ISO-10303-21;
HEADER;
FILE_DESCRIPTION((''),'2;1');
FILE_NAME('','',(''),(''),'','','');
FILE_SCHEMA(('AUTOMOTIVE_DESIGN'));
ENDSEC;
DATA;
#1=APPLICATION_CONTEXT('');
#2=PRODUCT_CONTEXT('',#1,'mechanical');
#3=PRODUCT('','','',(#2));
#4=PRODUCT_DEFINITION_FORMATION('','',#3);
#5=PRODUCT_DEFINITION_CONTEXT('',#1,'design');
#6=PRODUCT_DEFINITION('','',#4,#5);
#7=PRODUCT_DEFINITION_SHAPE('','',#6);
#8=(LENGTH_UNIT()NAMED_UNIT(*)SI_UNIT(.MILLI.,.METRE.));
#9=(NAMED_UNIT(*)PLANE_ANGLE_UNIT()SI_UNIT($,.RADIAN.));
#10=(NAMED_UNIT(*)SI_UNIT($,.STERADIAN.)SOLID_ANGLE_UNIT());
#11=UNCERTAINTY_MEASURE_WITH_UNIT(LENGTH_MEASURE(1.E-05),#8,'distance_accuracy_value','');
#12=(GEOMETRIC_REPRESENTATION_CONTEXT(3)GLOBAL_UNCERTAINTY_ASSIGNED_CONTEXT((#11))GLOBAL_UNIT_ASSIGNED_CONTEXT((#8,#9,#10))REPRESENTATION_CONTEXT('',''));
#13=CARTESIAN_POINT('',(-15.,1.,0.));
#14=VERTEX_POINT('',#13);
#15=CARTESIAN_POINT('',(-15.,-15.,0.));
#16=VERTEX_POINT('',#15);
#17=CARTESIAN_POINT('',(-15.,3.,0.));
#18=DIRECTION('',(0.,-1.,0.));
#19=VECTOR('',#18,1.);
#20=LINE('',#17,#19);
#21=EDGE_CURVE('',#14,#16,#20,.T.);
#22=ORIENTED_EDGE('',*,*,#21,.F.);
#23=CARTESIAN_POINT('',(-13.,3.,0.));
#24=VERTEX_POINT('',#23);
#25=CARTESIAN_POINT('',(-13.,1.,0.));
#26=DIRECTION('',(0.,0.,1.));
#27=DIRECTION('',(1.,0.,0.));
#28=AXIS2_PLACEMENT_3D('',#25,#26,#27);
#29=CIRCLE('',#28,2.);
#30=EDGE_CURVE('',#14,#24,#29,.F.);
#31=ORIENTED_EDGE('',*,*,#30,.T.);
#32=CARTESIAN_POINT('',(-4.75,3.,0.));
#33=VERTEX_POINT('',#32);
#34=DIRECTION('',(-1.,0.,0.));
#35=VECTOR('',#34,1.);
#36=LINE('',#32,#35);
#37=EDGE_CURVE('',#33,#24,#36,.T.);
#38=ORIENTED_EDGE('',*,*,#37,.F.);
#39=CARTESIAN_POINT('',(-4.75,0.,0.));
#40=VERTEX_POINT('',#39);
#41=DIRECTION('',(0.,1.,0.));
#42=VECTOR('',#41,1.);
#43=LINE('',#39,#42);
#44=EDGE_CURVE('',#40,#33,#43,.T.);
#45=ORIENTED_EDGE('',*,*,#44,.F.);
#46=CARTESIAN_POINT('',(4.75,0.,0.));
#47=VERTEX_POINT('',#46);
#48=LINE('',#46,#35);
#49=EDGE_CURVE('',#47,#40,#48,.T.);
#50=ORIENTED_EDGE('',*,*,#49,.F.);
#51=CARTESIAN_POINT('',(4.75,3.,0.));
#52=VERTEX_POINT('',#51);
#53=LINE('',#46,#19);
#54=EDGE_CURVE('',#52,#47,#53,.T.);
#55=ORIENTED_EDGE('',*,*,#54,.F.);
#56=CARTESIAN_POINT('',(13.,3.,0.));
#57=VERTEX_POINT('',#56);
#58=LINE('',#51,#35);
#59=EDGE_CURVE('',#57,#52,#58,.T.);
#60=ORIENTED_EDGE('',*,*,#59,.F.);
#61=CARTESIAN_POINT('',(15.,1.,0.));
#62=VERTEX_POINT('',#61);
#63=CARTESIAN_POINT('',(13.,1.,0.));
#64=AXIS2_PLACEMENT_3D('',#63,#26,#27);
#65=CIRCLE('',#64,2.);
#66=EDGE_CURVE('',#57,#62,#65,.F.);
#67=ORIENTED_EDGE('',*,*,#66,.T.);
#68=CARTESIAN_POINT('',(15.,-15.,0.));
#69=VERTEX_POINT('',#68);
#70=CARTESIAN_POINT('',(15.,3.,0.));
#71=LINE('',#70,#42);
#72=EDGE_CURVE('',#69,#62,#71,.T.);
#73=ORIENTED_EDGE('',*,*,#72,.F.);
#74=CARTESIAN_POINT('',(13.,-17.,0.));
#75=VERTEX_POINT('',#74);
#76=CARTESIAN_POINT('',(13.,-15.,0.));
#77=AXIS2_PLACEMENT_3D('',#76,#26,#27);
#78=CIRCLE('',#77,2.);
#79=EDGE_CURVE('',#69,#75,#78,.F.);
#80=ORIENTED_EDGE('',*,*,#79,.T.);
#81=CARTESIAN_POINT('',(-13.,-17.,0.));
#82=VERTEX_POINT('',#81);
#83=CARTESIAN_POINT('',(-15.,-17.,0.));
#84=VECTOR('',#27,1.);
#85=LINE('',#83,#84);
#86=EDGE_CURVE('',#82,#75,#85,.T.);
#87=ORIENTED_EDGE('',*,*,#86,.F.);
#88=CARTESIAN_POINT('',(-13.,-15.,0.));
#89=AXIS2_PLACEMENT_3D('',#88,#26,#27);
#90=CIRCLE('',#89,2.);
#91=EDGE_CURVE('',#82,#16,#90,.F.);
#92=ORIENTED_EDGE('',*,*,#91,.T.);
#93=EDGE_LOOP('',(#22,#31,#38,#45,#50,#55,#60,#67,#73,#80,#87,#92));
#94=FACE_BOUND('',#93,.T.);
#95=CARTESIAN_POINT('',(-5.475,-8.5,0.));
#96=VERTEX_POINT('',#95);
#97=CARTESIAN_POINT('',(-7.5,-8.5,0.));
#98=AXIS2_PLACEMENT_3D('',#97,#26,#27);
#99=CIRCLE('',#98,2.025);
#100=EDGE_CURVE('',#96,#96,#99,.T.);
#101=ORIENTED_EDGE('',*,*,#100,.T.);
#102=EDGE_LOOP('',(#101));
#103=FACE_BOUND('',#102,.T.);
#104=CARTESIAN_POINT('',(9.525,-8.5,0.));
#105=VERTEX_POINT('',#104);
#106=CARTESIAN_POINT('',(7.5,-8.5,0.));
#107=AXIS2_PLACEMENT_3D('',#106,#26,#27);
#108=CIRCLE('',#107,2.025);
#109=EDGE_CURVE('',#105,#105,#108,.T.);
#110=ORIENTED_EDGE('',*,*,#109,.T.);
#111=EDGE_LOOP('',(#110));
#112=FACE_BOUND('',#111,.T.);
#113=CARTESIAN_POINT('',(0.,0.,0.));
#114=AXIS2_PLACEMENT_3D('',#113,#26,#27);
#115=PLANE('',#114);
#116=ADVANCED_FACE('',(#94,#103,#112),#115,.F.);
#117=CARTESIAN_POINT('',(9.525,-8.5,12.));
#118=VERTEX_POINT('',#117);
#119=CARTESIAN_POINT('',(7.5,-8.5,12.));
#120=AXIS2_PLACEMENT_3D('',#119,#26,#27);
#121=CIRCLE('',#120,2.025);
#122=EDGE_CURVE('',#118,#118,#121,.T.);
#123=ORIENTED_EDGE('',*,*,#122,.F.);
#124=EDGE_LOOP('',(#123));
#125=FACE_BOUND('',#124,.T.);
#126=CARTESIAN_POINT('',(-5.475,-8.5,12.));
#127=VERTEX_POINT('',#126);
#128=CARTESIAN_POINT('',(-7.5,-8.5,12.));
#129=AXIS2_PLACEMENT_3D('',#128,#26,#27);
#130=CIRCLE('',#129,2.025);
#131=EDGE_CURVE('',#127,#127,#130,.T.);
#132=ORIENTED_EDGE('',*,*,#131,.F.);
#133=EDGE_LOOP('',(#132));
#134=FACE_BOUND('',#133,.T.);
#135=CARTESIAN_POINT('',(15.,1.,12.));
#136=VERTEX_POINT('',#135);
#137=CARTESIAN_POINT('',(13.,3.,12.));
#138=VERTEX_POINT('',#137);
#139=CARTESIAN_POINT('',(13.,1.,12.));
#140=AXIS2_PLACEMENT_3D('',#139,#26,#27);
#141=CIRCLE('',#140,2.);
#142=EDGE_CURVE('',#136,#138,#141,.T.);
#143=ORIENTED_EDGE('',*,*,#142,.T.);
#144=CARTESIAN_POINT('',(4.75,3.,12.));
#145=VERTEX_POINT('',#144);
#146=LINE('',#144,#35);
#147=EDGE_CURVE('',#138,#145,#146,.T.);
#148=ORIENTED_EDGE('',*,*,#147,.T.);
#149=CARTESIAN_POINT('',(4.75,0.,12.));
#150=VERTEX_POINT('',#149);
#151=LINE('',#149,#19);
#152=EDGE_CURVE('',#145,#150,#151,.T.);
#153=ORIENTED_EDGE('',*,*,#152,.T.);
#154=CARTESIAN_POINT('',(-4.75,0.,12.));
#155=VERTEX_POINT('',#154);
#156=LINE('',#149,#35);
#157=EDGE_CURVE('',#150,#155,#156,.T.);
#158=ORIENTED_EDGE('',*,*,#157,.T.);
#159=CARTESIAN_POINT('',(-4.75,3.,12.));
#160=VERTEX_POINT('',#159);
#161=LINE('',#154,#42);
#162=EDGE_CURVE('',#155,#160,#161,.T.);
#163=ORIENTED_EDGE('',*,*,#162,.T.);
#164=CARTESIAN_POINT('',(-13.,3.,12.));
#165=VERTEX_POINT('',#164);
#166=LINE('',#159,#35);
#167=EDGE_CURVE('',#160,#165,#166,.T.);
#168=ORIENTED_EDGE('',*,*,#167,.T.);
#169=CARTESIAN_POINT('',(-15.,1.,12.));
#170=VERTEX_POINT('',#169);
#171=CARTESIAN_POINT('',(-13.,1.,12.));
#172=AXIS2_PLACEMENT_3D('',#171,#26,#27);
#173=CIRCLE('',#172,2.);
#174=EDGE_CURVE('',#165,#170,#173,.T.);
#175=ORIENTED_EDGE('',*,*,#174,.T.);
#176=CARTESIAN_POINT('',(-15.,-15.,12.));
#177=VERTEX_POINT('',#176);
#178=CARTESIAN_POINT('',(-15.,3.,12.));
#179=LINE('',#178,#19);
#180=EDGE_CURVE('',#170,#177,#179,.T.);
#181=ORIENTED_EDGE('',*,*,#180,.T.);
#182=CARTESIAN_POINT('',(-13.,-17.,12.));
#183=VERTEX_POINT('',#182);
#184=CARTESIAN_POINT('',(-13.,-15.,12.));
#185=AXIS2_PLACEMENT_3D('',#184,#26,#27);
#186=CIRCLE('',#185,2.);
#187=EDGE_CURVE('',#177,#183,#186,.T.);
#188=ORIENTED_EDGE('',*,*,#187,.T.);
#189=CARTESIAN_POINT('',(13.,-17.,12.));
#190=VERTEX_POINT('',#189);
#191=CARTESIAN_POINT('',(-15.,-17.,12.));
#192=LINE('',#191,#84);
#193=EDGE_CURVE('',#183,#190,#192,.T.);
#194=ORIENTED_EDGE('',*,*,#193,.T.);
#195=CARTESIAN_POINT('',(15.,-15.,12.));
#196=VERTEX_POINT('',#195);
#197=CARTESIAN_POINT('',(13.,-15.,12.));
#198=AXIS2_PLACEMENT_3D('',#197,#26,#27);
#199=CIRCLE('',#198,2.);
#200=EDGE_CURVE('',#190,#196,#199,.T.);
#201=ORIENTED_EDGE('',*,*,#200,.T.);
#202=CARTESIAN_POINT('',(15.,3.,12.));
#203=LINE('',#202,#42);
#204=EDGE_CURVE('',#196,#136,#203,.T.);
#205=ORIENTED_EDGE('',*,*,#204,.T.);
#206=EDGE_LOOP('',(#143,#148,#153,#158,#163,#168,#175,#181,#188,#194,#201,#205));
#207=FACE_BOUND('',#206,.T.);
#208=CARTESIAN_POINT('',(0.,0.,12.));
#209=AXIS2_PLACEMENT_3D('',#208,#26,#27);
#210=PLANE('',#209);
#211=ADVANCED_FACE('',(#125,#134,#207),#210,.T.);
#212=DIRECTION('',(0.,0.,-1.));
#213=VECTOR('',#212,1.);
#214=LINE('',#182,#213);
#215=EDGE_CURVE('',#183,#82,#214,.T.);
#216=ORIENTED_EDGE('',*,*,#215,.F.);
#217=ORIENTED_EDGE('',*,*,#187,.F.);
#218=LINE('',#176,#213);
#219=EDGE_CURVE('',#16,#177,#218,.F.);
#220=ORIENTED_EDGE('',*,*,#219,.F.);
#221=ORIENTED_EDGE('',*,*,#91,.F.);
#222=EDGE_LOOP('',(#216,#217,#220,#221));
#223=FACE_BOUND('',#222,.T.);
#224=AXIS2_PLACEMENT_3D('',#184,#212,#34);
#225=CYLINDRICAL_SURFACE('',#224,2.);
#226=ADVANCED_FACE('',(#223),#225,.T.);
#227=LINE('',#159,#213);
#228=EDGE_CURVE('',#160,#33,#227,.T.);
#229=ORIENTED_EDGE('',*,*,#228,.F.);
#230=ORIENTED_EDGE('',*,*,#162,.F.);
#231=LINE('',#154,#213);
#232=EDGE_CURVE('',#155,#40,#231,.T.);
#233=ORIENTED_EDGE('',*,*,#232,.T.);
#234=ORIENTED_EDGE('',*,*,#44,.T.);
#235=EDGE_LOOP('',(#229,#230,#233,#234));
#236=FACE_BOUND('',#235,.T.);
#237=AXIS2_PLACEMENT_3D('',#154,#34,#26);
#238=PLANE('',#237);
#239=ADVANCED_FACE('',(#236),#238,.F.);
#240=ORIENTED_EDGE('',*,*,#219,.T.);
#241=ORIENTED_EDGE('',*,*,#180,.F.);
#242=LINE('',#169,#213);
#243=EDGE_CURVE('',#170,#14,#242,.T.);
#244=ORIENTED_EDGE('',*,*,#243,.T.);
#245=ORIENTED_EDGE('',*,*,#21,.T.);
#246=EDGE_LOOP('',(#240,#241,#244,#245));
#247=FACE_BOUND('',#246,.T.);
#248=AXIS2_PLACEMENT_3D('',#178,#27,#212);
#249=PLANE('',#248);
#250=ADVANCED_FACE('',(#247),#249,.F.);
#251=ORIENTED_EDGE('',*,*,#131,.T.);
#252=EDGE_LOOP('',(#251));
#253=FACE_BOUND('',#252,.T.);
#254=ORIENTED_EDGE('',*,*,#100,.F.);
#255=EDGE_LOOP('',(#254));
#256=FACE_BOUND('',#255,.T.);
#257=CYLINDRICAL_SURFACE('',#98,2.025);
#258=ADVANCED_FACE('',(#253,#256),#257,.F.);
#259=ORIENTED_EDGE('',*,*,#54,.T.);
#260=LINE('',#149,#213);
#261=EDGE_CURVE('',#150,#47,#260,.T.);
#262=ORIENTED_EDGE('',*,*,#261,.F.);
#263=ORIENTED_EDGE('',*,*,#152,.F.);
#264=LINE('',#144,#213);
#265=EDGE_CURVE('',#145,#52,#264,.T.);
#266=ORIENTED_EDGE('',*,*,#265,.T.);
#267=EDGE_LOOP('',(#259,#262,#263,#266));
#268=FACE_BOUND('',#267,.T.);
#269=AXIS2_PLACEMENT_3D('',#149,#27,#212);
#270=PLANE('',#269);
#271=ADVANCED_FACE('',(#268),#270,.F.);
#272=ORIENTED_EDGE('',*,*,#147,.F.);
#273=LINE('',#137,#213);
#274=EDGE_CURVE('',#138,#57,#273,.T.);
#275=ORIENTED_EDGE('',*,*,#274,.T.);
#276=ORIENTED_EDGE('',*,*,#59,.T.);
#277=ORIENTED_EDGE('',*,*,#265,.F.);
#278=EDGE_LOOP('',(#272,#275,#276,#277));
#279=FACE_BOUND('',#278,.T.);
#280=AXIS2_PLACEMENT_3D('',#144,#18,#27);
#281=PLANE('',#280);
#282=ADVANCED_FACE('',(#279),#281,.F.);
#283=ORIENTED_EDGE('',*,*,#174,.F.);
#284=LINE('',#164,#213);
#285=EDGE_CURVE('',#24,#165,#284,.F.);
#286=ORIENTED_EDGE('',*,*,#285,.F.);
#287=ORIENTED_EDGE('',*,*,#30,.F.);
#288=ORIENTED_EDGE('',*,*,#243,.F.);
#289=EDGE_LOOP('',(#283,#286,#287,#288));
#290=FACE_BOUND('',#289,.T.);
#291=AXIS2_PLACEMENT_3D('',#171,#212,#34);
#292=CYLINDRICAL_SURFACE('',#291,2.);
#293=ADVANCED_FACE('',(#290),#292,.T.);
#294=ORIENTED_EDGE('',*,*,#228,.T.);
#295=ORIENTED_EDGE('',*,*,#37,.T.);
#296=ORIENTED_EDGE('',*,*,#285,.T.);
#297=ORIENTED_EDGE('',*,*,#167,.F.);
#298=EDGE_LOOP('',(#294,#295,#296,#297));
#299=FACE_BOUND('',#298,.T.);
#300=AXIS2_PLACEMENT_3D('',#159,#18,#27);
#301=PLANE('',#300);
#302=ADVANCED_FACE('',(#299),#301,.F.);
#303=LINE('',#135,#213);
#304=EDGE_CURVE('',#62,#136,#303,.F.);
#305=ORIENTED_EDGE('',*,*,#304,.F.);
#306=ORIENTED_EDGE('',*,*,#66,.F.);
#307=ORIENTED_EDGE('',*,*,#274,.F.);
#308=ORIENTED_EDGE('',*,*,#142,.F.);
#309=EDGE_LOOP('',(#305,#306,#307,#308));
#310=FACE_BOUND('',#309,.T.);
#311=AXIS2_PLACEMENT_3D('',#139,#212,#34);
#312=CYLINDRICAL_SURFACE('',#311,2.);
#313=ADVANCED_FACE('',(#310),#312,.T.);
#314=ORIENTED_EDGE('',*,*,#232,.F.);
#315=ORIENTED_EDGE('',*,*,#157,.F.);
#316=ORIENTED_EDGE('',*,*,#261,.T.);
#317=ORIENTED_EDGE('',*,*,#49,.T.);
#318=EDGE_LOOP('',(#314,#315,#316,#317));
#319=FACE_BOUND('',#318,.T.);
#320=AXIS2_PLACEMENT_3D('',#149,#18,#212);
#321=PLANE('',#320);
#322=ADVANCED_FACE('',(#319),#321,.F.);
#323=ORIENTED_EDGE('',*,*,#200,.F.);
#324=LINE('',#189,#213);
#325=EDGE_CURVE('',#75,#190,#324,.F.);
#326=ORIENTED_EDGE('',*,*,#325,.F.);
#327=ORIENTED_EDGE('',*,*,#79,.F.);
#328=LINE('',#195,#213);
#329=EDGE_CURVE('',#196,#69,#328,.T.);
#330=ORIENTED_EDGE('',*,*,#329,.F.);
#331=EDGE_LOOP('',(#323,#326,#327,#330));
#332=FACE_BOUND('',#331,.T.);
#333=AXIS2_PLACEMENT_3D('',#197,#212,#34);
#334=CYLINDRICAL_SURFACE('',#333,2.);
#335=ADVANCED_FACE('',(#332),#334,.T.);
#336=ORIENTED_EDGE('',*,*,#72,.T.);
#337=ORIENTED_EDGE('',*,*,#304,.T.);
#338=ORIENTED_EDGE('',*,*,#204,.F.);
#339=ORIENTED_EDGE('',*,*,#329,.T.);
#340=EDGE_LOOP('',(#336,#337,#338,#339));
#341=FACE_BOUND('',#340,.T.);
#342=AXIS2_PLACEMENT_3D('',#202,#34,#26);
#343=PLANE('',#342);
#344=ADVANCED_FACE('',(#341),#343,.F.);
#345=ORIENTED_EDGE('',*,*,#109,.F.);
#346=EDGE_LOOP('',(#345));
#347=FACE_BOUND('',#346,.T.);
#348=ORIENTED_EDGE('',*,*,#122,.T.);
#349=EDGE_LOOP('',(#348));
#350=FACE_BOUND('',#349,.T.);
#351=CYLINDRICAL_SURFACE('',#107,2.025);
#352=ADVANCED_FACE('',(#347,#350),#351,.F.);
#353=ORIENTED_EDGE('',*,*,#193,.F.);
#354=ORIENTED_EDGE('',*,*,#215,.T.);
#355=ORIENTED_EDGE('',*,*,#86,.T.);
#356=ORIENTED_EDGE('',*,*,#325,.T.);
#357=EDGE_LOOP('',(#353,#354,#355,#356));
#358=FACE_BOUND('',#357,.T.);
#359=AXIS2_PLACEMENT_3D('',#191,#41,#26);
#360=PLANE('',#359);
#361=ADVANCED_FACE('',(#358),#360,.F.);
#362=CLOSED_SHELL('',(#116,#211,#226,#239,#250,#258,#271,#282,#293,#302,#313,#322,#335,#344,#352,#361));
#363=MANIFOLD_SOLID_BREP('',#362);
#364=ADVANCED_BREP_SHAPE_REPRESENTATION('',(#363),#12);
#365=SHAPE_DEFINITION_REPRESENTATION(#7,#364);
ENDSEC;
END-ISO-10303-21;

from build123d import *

# Parameters (mm, degrees)
EXTRUDE_1_DEPTH          = 12
FILLET_1_R               = 2
SKETCH_2_R               = 2.025
CUT_EXTRUDE_1_DEPTH      = 1
CUT_EXTRUDE_1_DEPTH_BACK = 13


with BuildPart() as part:
    # 草图1 → 凸台-拉伸1 (new body)
    with BuildSketch(Plane.XY):
        Polygon((4.75, 0), (-4.75, 0), (-4.75, 3), (-15, 3), (-15, -17), (15, -17), (15, 3), (4.75, 3), align=None)
    extrude(amount=EXTRUDE_1_DEPTH)

    # 圆角1
    fillet_1_edges = [part.edges().sort_by_distance(p)[0] for p in [
        (15, 3, 6),
        (15, -17, 6),
        (-15, -17, 6),
        (-15, 3, 6),
    ]]
    fillet(fillet_1_edges, radius=FILLET_1_R)

    # 草图2 → 切除-拉伸1 (cut, two sides)
    with BuildSketch(Plane.XY.offset(12)) as cut_extrude_1_sk:
        with Locations((-7.5, -8.5)):
            Circle(SKETCH_2_R)
        with Locations((7.5, -8.5)):
            Circle(SKETCH_2_R)
    extrude(amount=CUT_EXTRUDE_1_DEPTH, mode=Mode.SUBTRACT)
    extrude(cut_extrude_1_sk.sketch, amount=-CUT_EXTRUDE_1_DEPTH_BACK, mode=Mode.SUBTRACT)


solid = part.part
